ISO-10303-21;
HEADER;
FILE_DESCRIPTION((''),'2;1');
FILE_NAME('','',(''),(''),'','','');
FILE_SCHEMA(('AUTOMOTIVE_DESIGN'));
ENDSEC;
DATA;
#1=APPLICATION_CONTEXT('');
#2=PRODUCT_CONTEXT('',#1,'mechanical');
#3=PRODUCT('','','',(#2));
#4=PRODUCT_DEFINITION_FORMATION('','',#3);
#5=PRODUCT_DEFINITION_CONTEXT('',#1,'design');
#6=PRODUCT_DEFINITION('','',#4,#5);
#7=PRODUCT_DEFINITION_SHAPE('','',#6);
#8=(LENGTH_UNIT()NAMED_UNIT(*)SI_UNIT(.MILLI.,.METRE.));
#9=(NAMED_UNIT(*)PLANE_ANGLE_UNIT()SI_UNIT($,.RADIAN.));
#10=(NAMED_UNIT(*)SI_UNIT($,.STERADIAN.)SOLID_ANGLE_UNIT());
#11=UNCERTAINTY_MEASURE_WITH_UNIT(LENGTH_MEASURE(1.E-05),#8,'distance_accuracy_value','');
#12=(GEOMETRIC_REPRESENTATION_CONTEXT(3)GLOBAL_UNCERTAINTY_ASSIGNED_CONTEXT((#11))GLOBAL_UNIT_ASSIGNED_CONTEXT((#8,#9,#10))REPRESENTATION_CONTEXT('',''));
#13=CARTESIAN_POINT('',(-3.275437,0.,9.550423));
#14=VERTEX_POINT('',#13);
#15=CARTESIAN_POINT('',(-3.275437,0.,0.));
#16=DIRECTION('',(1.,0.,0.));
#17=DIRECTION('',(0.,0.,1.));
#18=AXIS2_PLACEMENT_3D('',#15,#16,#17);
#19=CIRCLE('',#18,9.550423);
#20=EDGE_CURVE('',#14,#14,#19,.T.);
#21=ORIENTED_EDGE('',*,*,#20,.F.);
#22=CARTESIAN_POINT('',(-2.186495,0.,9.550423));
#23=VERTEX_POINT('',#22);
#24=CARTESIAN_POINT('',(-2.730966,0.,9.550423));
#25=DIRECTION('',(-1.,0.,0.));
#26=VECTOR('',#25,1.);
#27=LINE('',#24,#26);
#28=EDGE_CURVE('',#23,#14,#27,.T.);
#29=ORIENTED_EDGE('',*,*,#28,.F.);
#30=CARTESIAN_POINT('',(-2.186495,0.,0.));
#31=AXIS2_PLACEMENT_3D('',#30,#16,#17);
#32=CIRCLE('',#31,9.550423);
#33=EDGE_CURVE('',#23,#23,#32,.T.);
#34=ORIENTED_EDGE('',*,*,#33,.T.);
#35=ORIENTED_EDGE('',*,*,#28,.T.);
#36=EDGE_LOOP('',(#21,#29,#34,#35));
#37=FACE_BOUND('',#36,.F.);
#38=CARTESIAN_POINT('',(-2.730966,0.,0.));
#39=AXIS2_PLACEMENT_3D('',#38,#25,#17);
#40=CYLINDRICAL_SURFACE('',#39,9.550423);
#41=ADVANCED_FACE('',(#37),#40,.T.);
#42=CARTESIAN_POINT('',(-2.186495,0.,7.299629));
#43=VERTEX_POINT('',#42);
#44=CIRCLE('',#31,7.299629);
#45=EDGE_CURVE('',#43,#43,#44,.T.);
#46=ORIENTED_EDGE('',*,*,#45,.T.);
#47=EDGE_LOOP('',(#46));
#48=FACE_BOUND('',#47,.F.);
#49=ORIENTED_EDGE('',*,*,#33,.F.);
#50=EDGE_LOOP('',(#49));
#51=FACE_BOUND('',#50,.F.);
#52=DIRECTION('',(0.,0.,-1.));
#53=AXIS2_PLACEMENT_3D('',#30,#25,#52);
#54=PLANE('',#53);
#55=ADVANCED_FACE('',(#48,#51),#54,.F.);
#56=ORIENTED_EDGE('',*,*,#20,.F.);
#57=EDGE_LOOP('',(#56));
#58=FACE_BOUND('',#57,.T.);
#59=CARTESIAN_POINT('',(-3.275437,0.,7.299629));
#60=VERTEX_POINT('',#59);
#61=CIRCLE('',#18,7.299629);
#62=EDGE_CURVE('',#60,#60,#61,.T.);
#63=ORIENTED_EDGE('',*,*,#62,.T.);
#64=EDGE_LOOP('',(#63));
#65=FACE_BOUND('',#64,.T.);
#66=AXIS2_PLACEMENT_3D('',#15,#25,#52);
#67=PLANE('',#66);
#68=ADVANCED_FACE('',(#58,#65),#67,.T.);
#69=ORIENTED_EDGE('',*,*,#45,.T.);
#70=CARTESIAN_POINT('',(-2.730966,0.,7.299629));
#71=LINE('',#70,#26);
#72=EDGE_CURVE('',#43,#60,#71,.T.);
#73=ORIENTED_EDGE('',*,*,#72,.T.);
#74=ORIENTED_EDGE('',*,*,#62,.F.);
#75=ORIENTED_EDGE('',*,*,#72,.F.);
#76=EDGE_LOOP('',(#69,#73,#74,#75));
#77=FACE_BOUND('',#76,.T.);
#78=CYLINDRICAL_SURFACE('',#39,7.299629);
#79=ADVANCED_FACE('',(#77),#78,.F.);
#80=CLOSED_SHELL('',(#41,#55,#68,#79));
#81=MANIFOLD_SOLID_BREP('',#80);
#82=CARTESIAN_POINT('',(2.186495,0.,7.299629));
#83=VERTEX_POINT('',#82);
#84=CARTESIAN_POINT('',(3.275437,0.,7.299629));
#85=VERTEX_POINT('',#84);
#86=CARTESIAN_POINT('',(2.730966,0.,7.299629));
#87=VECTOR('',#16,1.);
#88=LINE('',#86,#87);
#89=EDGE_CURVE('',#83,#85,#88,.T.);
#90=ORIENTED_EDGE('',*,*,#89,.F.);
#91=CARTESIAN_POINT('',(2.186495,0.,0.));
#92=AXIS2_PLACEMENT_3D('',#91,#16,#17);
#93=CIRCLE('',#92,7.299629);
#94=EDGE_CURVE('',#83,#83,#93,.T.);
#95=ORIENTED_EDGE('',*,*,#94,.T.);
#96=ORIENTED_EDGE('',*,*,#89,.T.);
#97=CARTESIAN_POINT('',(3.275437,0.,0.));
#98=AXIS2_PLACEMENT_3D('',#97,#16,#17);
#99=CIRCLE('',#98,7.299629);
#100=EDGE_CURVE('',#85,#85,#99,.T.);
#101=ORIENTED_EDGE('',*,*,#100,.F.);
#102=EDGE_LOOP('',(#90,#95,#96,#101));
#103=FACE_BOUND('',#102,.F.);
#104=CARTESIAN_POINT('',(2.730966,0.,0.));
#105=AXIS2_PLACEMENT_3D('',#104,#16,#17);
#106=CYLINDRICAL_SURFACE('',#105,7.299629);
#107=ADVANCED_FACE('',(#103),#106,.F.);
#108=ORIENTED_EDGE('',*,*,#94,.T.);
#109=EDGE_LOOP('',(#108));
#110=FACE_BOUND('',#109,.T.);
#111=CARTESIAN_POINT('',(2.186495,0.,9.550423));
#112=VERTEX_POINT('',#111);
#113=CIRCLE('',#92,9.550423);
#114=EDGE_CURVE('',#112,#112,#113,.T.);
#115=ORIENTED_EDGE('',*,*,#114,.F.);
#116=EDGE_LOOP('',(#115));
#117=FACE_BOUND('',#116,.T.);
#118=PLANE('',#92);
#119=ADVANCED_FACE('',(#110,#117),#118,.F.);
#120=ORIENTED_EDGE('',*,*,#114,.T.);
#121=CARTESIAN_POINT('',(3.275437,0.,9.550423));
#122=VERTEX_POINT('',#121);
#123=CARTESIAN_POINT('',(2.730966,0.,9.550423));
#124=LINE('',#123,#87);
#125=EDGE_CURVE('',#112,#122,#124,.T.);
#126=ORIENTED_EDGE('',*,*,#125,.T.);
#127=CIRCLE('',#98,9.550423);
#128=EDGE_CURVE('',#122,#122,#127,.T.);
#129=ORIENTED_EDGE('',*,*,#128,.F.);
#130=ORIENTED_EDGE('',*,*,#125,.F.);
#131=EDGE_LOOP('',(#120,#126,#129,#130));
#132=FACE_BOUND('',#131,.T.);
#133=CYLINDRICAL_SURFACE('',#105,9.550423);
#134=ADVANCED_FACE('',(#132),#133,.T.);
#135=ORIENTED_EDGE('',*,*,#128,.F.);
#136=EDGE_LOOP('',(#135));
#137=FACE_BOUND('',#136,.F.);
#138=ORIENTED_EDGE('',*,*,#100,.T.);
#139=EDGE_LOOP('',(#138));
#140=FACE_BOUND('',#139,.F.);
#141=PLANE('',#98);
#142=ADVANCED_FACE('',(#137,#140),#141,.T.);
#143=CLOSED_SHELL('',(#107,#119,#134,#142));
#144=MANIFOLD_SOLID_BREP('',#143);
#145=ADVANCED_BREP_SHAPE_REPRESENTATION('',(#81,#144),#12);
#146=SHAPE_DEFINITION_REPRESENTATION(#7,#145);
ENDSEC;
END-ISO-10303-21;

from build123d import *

# Parameters (mm, degrees)
F0_W = 1.088942
F0_H = 2.250794


with BuildPart() as f1:
    # F0 (on Front) → F1 (revolve)
    with BuildSketch(Plane.XZ):
        with Locations((2.730966, 8.425026)):
            Rectangle(F0_W, F0_H)
    revolve(axis=Axis((5.413548, 0, 0), (1, 0, 0)))


with BuildPart() as f2_1:
    # F2: instance of F1
    add(f1.part.mirror(Plane.YZ))


solid = Compound([f1.part, f2_1.part])
